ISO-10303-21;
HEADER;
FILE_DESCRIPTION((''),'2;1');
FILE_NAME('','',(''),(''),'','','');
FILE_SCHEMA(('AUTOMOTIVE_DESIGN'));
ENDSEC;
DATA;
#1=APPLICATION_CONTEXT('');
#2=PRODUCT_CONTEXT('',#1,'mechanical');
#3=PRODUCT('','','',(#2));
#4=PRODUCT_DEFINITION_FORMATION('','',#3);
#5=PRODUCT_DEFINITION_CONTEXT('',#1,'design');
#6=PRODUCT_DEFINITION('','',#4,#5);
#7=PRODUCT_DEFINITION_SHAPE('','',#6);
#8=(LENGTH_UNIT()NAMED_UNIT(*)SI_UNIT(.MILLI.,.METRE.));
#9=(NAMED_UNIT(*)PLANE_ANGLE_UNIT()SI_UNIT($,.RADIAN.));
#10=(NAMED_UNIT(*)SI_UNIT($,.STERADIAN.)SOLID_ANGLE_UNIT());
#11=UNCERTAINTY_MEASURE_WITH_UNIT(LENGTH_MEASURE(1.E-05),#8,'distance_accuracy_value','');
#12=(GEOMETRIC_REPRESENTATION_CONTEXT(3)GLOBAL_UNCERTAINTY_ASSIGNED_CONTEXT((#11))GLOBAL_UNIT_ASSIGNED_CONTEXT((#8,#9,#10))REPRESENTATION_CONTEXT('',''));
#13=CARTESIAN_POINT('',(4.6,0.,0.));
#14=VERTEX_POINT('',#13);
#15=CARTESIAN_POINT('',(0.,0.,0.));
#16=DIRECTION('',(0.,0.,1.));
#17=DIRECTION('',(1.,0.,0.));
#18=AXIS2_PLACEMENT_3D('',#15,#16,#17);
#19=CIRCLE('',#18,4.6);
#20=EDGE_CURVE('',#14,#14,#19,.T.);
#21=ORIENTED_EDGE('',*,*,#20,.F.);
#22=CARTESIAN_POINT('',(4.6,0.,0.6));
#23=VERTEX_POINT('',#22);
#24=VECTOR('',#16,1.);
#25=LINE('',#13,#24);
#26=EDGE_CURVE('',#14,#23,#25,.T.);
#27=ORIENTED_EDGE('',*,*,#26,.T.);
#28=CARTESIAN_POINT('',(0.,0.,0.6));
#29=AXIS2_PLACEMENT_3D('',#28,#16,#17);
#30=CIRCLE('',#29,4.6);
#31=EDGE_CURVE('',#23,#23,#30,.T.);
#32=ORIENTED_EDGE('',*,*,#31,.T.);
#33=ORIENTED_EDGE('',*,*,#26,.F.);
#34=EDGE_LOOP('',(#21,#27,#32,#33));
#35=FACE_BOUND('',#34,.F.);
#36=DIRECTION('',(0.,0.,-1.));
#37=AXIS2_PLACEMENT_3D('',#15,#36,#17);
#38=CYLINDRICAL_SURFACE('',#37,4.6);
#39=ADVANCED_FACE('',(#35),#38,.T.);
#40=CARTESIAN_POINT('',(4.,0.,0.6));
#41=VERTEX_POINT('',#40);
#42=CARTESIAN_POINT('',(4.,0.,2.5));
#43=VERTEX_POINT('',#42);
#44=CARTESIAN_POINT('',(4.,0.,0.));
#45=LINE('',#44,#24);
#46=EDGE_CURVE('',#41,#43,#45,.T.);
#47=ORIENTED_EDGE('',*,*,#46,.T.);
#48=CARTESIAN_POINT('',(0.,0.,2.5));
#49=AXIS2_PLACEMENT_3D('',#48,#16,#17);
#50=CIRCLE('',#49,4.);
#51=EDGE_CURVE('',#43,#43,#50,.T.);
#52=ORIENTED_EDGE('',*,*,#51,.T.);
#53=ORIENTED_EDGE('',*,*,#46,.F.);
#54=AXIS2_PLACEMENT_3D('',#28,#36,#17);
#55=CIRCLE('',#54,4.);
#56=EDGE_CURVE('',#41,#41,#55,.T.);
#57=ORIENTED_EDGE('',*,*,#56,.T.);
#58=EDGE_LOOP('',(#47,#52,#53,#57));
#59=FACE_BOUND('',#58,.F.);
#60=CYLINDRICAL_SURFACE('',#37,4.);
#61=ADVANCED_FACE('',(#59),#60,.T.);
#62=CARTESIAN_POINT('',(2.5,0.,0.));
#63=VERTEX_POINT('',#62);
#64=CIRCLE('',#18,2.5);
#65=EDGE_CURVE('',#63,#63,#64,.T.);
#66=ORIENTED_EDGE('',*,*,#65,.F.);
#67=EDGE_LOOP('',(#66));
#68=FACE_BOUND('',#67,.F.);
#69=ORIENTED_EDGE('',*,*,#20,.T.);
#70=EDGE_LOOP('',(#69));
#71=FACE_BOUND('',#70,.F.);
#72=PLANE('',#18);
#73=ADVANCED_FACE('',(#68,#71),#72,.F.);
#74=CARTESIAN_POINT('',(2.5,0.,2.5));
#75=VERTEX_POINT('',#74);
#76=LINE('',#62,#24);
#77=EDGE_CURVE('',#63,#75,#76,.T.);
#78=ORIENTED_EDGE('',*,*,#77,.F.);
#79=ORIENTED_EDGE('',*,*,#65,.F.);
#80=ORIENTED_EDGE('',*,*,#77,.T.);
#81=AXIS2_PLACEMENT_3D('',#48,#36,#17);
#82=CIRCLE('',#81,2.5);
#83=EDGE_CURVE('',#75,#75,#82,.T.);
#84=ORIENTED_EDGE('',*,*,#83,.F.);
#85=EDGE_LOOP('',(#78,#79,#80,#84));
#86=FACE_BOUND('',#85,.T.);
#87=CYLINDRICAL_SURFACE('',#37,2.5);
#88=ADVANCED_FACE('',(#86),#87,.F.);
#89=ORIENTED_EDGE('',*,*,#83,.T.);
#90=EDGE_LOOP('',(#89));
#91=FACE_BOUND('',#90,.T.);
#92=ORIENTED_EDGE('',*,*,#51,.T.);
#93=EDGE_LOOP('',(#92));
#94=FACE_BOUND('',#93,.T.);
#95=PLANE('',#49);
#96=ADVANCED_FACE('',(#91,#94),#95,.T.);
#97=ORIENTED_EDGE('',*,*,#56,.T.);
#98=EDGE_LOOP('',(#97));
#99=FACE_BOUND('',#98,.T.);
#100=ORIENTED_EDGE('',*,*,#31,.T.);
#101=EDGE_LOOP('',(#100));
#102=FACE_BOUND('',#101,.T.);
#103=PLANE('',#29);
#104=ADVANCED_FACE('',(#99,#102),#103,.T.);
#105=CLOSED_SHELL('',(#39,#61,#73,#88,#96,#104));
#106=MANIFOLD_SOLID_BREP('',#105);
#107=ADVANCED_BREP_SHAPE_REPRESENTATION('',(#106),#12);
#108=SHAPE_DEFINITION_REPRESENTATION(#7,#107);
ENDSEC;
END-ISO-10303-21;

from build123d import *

# Parameters (mm, degrees)
CYLINDER006_R     = 2.5
CYLINDER006_DEPTH = 6
CYLINDER004_R     = 4.6
CYLINDER004_DEPTH = 0.6
CYLINDER005_R     = 4
CYLINDER005_DEPTH = 2.5


with BuildPart() as cylinder006:
    # Cylinder006 → Cylinder006 (new body)
    with BuildSketch(Plane.XY):
        Circle(CYLINDER006_R)
    extrude(amount=CYLINDER006_DEPTH)


with BuildPart() as cylinder004:
    # Cylinder004 → Cylinder004 (new body)
    with BuildSketch(Plane.XY):
        Circle(CYLINDER004_R)
    extrude(amount=CYLINDER004_DEPTH)


with BuildPart() as cut001002:
    # Cylinder005 → Cylinder005 (new body)
    with BuildSketch(Plane.XY):
        Circle(CYLINDER005_R)
    extrude(amount=CYLINDER005_DEPTH)

    # Fusion002: union Cylinder004
    add(cylinder004.part)

    # Cut001002: cut Cylinder006
    add(cylinder006.part, mode=Mode.SUBTRACT)


solid = cut001002.part
